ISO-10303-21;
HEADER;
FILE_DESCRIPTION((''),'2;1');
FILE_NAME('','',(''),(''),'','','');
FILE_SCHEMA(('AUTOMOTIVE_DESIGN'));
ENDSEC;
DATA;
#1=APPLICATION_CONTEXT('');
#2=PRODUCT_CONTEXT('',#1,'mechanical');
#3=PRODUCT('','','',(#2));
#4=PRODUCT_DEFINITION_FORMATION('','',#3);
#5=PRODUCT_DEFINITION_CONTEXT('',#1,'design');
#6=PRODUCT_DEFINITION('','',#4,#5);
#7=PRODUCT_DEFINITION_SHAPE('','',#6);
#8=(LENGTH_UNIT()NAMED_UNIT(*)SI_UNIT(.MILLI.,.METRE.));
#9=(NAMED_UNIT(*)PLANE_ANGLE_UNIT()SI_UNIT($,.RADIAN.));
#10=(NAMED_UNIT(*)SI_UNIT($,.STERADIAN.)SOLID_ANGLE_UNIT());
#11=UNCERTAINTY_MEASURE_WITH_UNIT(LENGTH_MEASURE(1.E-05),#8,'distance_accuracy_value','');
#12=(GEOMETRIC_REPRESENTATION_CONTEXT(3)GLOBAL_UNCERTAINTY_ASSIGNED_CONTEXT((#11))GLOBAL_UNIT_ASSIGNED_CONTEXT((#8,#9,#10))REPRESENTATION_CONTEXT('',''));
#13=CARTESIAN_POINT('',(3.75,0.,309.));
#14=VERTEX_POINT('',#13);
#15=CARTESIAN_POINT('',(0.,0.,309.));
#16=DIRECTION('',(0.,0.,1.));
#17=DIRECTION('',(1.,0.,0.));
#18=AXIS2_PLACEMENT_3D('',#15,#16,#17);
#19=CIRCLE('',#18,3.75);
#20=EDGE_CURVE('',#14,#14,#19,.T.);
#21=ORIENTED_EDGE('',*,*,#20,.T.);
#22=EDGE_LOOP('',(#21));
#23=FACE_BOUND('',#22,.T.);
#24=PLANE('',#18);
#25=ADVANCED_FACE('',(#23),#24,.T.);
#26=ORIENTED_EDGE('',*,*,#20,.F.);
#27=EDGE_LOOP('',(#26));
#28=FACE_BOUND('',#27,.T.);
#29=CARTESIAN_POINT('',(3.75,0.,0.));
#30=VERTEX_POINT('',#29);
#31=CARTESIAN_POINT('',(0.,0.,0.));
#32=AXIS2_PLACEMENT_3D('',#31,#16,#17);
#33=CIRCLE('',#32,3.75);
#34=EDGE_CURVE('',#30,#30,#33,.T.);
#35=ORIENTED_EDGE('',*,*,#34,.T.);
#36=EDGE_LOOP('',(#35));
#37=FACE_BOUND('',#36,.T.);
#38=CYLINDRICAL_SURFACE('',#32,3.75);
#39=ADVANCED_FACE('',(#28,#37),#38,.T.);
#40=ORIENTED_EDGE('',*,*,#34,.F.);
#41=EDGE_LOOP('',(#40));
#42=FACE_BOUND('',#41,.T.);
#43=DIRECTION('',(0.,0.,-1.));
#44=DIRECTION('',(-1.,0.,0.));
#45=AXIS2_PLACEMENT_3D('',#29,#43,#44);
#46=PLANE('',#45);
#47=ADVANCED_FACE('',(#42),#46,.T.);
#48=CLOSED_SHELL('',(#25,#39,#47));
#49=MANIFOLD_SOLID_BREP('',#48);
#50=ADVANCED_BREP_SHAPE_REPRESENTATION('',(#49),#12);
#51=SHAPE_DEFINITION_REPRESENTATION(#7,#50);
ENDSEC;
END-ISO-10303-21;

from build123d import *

# Parameters (mm, degrees)
SKETCH_1_W = 3.75
SKETCH_1_H = 309


with BuildPart() as part:
    # Эскиз1 → Повернуть1 (revolve)
    with BuildSketch(Plane(origin=(0, 0, 0), x_dir=(1, 0, 0), z_dir=(0, 1, 0))):
        with Locations((1.875, -154.5)):
            Rectangle(SKETCH_1_W, SKETCH_1_H)
    revolve(axis=Axis((0, 0, 0), (0, 0, 1)))


solid = part.part
